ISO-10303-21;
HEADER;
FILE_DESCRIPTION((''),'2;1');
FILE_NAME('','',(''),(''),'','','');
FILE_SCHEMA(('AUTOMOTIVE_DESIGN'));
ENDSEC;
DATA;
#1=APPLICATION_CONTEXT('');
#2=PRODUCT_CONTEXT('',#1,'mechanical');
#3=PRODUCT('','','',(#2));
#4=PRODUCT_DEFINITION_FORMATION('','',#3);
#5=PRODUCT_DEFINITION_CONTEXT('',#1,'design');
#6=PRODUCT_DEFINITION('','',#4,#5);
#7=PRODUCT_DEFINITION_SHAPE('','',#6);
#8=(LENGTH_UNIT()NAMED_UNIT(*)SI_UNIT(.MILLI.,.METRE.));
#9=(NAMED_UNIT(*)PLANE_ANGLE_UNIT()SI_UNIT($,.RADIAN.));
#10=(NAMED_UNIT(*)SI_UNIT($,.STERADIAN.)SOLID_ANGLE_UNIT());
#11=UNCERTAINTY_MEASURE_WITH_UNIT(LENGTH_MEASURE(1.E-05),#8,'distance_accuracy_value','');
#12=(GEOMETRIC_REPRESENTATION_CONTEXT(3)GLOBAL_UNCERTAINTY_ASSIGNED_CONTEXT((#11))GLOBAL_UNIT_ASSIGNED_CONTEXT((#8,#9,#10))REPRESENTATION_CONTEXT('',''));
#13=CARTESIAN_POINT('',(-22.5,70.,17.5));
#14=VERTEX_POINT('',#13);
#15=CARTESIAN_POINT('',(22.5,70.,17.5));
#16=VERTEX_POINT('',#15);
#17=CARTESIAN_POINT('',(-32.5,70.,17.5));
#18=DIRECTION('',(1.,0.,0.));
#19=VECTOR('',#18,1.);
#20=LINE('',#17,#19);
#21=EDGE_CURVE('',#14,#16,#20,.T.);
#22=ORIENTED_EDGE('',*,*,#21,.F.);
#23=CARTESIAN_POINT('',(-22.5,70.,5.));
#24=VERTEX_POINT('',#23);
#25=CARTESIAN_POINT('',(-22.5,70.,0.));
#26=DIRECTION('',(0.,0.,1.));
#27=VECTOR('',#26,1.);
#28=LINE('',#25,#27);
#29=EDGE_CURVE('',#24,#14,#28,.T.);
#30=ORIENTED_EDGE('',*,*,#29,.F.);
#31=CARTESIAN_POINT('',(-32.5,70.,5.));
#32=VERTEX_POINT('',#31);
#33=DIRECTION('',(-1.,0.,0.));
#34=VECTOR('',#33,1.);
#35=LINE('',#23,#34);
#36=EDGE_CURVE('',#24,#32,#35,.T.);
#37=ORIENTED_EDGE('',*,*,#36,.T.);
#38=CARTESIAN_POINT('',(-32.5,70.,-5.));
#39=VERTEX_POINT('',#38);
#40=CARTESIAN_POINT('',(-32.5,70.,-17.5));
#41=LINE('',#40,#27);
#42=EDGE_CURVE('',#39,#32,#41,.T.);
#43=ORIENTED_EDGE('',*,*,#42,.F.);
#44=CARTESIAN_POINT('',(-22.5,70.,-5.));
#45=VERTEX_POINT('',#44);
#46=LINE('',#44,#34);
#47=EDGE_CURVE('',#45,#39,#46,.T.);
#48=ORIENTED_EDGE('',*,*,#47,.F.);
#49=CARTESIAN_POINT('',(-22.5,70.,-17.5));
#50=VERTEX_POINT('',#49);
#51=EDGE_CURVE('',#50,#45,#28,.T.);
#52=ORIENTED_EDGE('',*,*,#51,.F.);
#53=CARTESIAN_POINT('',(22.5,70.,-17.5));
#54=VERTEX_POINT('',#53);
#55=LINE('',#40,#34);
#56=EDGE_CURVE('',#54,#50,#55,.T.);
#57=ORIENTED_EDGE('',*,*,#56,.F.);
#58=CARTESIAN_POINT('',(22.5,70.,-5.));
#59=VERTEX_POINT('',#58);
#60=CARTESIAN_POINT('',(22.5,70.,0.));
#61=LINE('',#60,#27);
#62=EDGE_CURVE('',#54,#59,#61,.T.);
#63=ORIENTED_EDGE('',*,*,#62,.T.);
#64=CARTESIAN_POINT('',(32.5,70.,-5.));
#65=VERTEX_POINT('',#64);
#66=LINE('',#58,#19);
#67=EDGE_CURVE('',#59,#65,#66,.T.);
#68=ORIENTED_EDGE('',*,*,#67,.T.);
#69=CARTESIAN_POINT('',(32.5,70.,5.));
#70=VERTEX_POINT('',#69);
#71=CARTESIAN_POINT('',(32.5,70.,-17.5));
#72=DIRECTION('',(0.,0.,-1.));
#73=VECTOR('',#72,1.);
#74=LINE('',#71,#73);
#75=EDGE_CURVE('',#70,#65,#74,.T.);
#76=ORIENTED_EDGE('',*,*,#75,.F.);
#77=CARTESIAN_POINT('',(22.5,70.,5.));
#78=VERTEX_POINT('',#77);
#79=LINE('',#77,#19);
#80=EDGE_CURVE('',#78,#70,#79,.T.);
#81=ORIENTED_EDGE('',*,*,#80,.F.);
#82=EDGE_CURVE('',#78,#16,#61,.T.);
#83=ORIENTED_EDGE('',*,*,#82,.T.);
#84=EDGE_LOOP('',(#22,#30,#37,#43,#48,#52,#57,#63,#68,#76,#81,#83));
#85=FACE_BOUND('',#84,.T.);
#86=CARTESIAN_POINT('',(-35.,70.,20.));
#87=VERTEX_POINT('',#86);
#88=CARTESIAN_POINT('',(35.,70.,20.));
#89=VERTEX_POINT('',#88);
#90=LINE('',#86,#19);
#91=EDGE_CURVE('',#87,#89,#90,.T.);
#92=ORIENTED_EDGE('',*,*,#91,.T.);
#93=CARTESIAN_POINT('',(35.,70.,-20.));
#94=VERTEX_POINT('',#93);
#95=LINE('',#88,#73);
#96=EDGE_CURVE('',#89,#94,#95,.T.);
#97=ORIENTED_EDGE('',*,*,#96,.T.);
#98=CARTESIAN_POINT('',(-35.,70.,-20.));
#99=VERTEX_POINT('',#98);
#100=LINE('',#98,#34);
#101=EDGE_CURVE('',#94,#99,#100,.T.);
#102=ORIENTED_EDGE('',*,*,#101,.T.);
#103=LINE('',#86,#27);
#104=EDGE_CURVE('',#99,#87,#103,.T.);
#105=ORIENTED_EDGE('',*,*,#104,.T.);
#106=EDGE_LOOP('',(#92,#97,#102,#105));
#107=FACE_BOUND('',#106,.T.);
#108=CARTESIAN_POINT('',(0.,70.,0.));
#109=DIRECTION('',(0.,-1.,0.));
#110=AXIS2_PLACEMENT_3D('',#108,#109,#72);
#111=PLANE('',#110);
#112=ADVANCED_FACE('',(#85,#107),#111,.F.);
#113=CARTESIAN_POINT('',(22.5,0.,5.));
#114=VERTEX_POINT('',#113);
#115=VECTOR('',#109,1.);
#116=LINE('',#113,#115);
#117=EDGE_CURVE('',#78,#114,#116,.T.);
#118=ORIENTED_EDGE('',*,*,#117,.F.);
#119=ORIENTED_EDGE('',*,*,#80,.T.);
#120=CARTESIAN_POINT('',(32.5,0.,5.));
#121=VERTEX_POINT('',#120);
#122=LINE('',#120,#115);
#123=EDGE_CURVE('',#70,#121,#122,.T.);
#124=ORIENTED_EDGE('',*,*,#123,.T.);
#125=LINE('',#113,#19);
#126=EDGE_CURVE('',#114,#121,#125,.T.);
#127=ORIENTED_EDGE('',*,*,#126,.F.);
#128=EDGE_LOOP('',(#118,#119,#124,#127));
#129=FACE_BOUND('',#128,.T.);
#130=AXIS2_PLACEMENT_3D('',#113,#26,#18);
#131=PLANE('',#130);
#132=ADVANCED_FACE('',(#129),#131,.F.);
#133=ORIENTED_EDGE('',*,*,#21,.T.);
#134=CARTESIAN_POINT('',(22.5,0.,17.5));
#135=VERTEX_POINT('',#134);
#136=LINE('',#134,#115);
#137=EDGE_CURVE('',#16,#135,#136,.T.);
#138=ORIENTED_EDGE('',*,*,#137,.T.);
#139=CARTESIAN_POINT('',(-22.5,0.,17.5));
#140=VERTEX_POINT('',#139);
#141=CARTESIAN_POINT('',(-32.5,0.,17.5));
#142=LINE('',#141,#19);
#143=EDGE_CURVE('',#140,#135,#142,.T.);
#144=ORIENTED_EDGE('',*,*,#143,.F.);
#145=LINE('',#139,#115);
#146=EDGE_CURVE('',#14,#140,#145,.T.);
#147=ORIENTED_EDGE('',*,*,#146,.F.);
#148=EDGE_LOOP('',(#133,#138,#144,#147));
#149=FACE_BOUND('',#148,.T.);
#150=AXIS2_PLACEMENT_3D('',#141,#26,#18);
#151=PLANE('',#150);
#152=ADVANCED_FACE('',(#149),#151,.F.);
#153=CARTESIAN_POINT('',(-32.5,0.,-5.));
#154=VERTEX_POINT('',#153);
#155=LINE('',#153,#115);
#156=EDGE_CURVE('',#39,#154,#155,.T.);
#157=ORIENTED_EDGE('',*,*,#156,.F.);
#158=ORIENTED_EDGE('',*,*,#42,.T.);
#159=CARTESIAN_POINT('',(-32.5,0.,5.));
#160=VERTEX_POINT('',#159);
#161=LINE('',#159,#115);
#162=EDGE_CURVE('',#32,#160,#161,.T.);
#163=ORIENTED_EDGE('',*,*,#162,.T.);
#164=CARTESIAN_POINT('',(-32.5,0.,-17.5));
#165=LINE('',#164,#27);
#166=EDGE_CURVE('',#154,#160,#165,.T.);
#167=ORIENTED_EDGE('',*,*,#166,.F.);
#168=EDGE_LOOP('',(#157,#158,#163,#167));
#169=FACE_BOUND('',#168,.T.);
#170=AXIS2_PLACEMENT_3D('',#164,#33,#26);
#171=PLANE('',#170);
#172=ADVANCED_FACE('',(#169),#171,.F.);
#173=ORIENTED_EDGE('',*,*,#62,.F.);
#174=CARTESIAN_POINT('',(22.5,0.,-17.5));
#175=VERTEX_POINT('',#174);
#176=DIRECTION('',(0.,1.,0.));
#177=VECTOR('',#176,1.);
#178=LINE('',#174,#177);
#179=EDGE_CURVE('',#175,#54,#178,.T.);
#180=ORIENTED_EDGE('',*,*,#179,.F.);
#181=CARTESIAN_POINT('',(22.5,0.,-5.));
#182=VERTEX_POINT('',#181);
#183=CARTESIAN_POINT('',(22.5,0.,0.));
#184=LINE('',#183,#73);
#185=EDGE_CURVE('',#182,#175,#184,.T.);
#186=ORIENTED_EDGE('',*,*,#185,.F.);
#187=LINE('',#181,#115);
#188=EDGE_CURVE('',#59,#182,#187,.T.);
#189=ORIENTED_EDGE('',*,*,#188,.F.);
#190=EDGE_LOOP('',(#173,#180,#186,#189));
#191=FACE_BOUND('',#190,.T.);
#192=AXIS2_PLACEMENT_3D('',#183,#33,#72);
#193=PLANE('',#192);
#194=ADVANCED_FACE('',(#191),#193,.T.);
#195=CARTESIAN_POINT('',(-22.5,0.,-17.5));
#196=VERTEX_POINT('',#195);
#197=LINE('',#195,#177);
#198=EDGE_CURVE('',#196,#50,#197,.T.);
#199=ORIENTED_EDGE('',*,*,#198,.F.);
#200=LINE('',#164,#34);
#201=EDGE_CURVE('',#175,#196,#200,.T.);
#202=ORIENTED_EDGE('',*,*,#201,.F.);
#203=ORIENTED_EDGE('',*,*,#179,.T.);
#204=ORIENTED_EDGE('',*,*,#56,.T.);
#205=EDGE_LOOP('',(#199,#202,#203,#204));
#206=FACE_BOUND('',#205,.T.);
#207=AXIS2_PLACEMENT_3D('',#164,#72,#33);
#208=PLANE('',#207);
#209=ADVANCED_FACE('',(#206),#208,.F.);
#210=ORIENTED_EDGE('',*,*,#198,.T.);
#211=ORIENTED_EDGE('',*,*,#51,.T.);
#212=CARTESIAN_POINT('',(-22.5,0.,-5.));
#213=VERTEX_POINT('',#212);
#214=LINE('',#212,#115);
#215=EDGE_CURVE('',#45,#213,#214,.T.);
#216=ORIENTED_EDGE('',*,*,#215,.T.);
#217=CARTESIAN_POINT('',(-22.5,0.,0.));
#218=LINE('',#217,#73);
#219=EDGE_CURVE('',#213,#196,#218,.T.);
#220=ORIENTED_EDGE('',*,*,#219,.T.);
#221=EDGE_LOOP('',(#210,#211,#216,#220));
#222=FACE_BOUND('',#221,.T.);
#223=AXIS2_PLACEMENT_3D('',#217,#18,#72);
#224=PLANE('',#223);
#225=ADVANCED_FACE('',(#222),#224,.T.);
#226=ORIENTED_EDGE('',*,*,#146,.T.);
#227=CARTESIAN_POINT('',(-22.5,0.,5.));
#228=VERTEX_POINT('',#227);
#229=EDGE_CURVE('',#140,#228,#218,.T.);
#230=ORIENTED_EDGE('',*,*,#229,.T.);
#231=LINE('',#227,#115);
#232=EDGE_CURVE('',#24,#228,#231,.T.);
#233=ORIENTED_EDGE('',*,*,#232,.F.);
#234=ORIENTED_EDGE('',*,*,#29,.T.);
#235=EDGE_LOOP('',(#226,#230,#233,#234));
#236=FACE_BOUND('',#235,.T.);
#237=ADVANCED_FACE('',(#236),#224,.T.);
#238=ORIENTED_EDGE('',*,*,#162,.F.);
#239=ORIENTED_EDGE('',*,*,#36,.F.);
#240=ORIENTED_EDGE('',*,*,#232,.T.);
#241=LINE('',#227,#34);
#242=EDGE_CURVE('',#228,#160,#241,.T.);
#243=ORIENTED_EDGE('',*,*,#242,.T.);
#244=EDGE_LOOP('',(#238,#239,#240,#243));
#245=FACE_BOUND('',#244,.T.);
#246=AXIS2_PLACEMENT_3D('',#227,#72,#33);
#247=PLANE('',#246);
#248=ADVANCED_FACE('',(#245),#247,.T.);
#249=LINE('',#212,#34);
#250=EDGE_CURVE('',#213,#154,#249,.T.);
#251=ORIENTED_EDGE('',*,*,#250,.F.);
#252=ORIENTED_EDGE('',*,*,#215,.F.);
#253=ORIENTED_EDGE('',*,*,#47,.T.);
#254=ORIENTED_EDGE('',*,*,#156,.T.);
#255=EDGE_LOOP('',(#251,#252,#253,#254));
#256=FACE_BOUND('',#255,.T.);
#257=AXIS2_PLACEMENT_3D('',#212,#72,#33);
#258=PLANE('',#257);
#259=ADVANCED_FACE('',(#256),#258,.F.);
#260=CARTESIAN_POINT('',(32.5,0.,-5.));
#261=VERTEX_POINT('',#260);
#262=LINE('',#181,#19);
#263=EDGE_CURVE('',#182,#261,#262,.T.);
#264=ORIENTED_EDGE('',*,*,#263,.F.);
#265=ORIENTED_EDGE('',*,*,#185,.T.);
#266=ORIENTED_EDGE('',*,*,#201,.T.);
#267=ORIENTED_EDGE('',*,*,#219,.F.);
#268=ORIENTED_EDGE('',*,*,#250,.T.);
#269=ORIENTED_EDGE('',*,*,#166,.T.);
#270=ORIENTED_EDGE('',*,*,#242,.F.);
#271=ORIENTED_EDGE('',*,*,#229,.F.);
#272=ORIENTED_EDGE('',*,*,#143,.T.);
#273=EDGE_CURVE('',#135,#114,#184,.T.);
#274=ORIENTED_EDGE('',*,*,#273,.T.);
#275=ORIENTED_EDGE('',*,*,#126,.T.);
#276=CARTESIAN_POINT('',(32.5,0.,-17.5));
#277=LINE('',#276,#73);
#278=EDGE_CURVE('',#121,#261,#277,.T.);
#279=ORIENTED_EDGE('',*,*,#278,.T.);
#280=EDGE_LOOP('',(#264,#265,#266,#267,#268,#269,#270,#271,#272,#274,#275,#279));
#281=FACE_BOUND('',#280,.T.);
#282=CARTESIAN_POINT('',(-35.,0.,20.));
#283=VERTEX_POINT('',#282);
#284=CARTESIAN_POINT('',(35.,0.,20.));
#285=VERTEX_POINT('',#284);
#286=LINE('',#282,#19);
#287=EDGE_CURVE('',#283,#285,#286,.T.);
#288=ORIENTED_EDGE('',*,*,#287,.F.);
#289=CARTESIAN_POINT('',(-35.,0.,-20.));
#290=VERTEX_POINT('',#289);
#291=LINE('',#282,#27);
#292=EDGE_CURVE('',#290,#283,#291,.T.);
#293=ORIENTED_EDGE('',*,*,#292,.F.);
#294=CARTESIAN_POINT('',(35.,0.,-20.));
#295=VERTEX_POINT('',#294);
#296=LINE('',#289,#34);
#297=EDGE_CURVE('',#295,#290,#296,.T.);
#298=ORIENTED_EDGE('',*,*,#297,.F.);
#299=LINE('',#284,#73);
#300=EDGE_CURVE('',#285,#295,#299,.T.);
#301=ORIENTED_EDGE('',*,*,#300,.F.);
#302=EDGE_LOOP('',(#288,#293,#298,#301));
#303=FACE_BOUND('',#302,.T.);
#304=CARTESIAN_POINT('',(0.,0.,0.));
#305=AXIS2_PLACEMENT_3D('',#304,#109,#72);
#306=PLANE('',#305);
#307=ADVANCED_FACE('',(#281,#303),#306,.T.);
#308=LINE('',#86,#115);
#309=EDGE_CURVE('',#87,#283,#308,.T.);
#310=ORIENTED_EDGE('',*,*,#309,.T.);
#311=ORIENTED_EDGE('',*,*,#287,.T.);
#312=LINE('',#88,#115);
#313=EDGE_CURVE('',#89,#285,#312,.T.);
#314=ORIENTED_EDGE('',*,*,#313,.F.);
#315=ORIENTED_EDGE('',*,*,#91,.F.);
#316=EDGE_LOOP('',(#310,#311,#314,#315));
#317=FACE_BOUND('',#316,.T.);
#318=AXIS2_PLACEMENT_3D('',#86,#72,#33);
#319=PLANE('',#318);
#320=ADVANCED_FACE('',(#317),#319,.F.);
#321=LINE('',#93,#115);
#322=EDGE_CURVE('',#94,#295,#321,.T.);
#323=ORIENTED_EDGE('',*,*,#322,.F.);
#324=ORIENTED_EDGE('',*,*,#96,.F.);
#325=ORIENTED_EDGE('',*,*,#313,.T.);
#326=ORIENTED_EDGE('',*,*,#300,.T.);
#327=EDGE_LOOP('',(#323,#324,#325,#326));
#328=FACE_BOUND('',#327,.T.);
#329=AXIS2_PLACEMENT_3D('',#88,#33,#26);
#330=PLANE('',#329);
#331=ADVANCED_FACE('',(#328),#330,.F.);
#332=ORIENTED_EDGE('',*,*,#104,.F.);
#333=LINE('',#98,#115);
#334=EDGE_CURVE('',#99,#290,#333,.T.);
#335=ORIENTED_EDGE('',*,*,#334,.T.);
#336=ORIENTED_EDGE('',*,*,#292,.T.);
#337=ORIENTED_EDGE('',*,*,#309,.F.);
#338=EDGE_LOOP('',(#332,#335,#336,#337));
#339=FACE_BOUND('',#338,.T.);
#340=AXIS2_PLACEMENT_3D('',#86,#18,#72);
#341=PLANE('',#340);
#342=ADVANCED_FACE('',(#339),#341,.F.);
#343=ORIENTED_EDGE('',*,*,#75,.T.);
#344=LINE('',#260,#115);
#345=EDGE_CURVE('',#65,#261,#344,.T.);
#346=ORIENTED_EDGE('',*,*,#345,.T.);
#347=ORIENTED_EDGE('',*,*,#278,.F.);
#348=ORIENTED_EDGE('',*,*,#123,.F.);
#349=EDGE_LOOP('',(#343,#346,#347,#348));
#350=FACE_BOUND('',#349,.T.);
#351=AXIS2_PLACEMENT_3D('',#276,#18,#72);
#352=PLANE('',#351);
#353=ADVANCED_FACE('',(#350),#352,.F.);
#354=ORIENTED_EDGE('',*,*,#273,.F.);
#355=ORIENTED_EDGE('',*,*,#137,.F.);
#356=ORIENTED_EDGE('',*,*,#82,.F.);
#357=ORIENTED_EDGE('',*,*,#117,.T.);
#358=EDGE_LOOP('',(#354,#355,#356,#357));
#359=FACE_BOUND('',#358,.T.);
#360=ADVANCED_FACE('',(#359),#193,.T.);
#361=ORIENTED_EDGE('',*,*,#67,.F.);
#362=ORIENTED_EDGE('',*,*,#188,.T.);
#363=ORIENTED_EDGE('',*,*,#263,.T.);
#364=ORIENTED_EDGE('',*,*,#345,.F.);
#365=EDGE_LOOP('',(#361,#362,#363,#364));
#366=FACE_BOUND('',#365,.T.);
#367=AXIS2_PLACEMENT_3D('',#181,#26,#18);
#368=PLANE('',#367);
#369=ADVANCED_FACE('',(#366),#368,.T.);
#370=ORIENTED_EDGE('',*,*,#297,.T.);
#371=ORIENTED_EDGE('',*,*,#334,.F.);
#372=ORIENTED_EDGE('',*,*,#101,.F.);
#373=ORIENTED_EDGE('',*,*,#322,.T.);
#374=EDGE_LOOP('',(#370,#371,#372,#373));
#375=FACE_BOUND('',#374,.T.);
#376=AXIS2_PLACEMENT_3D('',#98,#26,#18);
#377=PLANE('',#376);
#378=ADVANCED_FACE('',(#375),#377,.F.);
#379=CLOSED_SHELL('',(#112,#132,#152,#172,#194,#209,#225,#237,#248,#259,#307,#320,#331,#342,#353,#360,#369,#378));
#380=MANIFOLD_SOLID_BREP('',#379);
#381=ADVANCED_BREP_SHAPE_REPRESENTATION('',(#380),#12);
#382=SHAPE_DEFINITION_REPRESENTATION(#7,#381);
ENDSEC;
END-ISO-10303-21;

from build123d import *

# Parameters (mm, degrees)
SKETCH3_W           = 70
SKETCH3_H           = 40
BOSS_EXTRUDE2_DEPTH = 70
SKETCH4_W           = 65
SKETCH4_H           = 35
CUT_EXTRUDE1_DEPTH  = 71
SKETCH5_W           = 12.5
SKETCH5_H           = 70
BOSS_EXTRUDE3_DEPTH = 10


with BuildPart() as part:
    # Sketch3 → Boss-Extrude2 (new body)
    with BuildSketch(Plane(origin=(0, 0, 0), x_dir=(1, 0, 0), z_dir=(0, 1, 0))):
        Rectangle(SKETCH3_W, SKETCH3_H)
    extrude(amount=BOSS_EXTRUDE2_DEPTH)

    # Sketch4 → Cut-Extrude1 (cut, through all)
    with BuildSketch(Plane(origin=(0, 70, 0), x_dir=(1, 0, 0), z_dir=(0, 1, 0))):
        Rectangle(SKETCH4_W, SKETCH4_H)
    extrude(amount=-CUT_EXTRUDE1_DEPTH, mode=Mode.SUBTRACT)

    # Sketch5 → Boss-Extrude3 (add)
    with BuildSketch(Plane(origin=(-32.5, 0, 0), x_dir=(0, 0, -1), z_dir=(1, 0, 0))):
        with Locations((-11.25, 35)):
            Rectangle(SKETCH5_W, SKETCH5_H)
        with Locations((11.25, 35)):
            Rectangle(SKETCH5_W, SKETCH5_H)
    boss_extrude3 = extrude(amount=BOSS_EXTRUDE3_DEPTH)

    # Mirror1: Boss-Extrude3 across plane
    add(boss_extrude3.mirror(Plane(origin=(0, 0, 0), x_dir=(0, 0, 1), z_dir=(1, 0, 0))))


solid = part.part
